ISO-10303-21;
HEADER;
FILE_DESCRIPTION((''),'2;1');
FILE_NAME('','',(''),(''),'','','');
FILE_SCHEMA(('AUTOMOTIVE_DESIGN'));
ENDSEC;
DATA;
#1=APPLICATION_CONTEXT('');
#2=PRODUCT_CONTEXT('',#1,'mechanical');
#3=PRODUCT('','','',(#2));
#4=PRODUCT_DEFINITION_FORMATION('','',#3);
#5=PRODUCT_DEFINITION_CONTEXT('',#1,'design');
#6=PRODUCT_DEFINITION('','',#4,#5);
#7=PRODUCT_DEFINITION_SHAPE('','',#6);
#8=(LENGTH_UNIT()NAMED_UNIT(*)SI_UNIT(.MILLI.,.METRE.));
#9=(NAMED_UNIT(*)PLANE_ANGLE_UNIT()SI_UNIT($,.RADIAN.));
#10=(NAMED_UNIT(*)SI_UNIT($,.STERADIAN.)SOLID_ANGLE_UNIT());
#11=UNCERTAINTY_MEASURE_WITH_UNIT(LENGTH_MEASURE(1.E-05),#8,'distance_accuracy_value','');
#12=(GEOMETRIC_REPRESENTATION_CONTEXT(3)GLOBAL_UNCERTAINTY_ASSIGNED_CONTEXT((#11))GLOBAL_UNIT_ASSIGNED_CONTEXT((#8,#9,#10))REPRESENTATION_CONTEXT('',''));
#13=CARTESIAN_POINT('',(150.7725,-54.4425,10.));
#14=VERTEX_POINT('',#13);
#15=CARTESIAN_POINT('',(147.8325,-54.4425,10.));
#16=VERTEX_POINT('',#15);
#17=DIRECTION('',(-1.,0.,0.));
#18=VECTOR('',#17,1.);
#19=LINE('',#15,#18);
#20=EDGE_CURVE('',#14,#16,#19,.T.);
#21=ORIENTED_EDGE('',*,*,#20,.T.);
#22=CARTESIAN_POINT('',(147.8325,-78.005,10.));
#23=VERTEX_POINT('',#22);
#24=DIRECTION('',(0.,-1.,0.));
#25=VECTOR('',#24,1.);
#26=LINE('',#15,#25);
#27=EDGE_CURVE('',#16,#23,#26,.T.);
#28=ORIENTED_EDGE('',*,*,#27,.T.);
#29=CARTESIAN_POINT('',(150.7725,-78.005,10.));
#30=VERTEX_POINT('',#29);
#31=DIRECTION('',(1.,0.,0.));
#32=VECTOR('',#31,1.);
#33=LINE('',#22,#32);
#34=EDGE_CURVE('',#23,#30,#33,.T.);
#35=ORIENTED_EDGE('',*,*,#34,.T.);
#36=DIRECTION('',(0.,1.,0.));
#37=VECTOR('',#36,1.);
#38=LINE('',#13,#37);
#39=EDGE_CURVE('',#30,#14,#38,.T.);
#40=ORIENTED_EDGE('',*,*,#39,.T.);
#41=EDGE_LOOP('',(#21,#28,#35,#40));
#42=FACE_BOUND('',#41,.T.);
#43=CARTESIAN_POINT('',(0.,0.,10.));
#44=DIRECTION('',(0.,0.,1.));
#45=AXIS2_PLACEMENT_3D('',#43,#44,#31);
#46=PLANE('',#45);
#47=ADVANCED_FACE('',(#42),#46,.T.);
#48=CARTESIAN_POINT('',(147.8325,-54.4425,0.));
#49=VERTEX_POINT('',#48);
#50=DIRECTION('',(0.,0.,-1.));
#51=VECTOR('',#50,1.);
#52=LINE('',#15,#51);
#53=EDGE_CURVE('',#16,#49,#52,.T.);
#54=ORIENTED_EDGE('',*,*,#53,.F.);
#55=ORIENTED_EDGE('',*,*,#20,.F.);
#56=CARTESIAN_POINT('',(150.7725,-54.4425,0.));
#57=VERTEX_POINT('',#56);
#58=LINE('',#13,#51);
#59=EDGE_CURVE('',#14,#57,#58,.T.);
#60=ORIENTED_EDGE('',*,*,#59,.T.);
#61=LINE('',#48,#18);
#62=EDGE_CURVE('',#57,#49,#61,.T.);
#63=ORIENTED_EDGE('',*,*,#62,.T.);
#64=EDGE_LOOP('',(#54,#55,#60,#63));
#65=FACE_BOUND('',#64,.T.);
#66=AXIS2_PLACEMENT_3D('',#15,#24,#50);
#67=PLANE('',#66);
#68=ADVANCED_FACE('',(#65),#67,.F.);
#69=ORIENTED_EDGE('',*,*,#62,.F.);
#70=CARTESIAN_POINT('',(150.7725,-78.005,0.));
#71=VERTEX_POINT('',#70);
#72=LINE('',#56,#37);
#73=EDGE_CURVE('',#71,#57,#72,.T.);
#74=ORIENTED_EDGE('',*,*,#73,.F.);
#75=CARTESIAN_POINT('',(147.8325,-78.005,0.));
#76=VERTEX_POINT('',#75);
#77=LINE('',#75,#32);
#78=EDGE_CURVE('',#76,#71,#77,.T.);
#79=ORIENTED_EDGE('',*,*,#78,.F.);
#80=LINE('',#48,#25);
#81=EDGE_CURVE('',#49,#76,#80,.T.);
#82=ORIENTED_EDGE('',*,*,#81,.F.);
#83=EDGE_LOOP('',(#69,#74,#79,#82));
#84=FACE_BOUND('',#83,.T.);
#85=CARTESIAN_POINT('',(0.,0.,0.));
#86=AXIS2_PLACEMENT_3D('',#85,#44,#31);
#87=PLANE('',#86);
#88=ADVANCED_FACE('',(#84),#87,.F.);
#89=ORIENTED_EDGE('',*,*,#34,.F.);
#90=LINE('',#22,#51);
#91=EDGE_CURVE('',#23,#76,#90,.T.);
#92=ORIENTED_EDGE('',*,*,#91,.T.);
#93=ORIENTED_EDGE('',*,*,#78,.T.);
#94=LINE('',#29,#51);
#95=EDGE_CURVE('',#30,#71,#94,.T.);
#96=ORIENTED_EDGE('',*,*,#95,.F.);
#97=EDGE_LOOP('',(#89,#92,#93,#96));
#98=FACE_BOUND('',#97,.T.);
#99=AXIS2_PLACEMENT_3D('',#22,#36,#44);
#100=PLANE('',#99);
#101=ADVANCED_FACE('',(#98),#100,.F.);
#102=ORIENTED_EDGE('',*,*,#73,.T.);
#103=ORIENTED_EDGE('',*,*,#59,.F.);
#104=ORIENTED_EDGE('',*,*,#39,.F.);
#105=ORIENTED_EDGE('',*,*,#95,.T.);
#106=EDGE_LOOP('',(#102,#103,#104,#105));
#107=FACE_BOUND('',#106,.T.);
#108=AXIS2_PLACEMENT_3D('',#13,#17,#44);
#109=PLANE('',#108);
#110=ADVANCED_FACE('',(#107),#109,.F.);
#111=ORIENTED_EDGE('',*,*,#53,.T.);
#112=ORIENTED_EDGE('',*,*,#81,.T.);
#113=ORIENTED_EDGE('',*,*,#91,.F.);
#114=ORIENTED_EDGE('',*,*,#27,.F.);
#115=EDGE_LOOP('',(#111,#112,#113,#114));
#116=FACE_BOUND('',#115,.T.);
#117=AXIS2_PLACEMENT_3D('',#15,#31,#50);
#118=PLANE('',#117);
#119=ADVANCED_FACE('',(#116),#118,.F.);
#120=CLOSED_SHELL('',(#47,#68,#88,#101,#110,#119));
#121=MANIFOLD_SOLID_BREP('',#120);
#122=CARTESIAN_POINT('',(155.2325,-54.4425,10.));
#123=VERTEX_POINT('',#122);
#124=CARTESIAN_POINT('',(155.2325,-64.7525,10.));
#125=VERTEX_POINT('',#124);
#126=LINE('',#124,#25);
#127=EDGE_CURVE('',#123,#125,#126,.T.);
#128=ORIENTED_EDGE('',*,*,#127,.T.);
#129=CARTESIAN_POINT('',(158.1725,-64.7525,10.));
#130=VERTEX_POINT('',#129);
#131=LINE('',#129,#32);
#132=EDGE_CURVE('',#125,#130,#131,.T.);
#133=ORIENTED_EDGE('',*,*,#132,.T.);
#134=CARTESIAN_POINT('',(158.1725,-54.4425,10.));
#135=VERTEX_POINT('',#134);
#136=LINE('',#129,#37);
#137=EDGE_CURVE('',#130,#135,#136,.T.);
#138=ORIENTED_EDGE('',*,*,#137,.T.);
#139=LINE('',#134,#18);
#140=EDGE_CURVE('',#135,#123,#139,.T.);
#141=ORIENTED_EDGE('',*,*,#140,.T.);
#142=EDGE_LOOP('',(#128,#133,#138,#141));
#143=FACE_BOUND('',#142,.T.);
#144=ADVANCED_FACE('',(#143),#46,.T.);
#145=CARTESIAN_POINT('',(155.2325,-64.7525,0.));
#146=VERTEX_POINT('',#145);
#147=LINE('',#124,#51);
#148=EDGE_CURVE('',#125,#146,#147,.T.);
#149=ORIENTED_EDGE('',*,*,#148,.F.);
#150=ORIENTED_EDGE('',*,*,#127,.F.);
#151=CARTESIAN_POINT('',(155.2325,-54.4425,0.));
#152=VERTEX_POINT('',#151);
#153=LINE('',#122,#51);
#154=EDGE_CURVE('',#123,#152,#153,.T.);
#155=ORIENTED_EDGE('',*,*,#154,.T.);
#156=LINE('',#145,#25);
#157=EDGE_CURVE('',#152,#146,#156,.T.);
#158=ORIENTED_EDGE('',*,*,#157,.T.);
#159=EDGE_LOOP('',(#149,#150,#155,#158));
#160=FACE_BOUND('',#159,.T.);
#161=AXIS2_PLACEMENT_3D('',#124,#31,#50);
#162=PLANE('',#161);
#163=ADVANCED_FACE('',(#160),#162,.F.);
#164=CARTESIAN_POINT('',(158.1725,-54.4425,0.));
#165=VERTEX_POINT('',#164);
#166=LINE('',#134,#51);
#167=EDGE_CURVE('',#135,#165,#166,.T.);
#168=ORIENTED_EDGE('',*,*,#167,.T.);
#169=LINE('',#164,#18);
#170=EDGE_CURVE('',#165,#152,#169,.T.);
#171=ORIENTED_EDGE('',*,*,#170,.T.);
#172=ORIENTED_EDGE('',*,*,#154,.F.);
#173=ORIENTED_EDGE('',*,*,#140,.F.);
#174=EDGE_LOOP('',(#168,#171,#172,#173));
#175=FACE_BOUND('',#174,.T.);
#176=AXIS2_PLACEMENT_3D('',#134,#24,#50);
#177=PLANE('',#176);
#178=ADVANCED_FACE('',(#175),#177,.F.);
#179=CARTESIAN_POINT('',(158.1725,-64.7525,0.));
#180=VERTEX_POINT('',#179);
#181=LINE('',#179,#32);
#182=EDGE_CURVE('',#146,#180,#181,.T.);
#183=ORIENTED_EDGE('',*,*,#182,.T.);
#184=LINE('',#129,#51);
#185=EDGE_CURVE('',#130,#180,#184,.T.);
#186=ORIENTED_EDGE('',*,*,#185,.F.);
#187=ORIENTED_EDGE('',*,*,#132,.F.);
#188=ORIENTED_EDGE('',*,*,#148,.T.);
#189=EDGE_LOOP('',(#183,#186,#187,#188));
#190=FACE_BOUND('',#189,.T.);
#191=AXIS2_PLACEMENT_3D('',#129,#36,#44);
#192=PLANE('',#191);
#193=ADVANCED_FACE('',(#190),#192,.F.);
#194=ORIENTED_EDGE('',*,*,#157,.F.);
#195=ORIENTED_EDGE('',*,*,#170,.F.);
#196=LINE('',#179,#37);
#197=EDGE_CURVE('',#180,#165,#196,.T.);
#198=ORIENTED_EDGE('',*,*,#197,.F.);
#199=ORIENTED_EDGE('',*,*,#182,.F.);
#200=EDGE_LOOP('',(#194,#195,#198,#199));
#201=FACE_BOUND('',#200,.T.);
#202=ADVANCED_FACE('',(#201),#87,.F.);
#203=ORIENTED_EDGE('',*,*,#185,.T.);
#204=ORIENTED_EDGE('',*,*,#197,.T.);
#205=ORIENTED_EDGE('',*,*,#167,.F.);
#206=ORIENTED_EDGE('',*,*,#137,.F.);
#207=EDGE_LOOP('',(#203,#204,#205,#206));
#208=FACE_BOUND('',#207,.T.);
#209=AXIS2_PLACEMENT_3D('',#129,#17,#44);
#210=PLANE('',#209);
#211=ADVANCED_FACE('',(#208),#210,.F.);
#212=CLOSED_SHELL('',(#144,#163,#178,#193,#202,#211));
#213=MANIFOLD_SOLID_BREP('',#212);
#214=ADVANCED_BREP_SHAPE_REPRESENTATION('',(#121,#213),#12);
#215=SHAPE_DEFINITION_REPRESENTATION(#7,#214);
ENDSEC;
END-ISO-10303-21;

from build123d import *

# Parameters (mm, degrees)
SKIZZE2_W                         = 2.94
SKIZZE2_H                         = 23.5625
AUFSATZ_LINEAR_AUSTRAGEN1_DEPTH   = 10
SKIZZE2_H_2                       = 10.31
AUFSATZ_LINEAR_AUSTRAGEN1_2_DEPTH = 10


with BuildPart() as part:
    # Skizze2 → Aufsatz-Linear austragen1 (new body)
    with BuildSketch(Plane.XY):
        with Locations((149.3025, -66.22375)):
            Rectangle(SKIZZE2_W, SKIZZE2_H)
    extrude(amount=AUFSATZ_LINEAR_AUSTRAGEN1_DEPTH)


with BuildPart() as body_2:
    # Skizze2 → Aufsatz-Linear austragen1 2 (new body)
    with BuildSketch(Plane.XY):
        with Locations((156.7025, -59.5975)):
            Rectangle(SKIZZE2_W, SKIZZE2_H_2)
    extrude(amount=AUFSATZ_LINEAR_AUSTRAGEN1_2_DEPTH)


solid = Compound([part.part, body_2.part])
